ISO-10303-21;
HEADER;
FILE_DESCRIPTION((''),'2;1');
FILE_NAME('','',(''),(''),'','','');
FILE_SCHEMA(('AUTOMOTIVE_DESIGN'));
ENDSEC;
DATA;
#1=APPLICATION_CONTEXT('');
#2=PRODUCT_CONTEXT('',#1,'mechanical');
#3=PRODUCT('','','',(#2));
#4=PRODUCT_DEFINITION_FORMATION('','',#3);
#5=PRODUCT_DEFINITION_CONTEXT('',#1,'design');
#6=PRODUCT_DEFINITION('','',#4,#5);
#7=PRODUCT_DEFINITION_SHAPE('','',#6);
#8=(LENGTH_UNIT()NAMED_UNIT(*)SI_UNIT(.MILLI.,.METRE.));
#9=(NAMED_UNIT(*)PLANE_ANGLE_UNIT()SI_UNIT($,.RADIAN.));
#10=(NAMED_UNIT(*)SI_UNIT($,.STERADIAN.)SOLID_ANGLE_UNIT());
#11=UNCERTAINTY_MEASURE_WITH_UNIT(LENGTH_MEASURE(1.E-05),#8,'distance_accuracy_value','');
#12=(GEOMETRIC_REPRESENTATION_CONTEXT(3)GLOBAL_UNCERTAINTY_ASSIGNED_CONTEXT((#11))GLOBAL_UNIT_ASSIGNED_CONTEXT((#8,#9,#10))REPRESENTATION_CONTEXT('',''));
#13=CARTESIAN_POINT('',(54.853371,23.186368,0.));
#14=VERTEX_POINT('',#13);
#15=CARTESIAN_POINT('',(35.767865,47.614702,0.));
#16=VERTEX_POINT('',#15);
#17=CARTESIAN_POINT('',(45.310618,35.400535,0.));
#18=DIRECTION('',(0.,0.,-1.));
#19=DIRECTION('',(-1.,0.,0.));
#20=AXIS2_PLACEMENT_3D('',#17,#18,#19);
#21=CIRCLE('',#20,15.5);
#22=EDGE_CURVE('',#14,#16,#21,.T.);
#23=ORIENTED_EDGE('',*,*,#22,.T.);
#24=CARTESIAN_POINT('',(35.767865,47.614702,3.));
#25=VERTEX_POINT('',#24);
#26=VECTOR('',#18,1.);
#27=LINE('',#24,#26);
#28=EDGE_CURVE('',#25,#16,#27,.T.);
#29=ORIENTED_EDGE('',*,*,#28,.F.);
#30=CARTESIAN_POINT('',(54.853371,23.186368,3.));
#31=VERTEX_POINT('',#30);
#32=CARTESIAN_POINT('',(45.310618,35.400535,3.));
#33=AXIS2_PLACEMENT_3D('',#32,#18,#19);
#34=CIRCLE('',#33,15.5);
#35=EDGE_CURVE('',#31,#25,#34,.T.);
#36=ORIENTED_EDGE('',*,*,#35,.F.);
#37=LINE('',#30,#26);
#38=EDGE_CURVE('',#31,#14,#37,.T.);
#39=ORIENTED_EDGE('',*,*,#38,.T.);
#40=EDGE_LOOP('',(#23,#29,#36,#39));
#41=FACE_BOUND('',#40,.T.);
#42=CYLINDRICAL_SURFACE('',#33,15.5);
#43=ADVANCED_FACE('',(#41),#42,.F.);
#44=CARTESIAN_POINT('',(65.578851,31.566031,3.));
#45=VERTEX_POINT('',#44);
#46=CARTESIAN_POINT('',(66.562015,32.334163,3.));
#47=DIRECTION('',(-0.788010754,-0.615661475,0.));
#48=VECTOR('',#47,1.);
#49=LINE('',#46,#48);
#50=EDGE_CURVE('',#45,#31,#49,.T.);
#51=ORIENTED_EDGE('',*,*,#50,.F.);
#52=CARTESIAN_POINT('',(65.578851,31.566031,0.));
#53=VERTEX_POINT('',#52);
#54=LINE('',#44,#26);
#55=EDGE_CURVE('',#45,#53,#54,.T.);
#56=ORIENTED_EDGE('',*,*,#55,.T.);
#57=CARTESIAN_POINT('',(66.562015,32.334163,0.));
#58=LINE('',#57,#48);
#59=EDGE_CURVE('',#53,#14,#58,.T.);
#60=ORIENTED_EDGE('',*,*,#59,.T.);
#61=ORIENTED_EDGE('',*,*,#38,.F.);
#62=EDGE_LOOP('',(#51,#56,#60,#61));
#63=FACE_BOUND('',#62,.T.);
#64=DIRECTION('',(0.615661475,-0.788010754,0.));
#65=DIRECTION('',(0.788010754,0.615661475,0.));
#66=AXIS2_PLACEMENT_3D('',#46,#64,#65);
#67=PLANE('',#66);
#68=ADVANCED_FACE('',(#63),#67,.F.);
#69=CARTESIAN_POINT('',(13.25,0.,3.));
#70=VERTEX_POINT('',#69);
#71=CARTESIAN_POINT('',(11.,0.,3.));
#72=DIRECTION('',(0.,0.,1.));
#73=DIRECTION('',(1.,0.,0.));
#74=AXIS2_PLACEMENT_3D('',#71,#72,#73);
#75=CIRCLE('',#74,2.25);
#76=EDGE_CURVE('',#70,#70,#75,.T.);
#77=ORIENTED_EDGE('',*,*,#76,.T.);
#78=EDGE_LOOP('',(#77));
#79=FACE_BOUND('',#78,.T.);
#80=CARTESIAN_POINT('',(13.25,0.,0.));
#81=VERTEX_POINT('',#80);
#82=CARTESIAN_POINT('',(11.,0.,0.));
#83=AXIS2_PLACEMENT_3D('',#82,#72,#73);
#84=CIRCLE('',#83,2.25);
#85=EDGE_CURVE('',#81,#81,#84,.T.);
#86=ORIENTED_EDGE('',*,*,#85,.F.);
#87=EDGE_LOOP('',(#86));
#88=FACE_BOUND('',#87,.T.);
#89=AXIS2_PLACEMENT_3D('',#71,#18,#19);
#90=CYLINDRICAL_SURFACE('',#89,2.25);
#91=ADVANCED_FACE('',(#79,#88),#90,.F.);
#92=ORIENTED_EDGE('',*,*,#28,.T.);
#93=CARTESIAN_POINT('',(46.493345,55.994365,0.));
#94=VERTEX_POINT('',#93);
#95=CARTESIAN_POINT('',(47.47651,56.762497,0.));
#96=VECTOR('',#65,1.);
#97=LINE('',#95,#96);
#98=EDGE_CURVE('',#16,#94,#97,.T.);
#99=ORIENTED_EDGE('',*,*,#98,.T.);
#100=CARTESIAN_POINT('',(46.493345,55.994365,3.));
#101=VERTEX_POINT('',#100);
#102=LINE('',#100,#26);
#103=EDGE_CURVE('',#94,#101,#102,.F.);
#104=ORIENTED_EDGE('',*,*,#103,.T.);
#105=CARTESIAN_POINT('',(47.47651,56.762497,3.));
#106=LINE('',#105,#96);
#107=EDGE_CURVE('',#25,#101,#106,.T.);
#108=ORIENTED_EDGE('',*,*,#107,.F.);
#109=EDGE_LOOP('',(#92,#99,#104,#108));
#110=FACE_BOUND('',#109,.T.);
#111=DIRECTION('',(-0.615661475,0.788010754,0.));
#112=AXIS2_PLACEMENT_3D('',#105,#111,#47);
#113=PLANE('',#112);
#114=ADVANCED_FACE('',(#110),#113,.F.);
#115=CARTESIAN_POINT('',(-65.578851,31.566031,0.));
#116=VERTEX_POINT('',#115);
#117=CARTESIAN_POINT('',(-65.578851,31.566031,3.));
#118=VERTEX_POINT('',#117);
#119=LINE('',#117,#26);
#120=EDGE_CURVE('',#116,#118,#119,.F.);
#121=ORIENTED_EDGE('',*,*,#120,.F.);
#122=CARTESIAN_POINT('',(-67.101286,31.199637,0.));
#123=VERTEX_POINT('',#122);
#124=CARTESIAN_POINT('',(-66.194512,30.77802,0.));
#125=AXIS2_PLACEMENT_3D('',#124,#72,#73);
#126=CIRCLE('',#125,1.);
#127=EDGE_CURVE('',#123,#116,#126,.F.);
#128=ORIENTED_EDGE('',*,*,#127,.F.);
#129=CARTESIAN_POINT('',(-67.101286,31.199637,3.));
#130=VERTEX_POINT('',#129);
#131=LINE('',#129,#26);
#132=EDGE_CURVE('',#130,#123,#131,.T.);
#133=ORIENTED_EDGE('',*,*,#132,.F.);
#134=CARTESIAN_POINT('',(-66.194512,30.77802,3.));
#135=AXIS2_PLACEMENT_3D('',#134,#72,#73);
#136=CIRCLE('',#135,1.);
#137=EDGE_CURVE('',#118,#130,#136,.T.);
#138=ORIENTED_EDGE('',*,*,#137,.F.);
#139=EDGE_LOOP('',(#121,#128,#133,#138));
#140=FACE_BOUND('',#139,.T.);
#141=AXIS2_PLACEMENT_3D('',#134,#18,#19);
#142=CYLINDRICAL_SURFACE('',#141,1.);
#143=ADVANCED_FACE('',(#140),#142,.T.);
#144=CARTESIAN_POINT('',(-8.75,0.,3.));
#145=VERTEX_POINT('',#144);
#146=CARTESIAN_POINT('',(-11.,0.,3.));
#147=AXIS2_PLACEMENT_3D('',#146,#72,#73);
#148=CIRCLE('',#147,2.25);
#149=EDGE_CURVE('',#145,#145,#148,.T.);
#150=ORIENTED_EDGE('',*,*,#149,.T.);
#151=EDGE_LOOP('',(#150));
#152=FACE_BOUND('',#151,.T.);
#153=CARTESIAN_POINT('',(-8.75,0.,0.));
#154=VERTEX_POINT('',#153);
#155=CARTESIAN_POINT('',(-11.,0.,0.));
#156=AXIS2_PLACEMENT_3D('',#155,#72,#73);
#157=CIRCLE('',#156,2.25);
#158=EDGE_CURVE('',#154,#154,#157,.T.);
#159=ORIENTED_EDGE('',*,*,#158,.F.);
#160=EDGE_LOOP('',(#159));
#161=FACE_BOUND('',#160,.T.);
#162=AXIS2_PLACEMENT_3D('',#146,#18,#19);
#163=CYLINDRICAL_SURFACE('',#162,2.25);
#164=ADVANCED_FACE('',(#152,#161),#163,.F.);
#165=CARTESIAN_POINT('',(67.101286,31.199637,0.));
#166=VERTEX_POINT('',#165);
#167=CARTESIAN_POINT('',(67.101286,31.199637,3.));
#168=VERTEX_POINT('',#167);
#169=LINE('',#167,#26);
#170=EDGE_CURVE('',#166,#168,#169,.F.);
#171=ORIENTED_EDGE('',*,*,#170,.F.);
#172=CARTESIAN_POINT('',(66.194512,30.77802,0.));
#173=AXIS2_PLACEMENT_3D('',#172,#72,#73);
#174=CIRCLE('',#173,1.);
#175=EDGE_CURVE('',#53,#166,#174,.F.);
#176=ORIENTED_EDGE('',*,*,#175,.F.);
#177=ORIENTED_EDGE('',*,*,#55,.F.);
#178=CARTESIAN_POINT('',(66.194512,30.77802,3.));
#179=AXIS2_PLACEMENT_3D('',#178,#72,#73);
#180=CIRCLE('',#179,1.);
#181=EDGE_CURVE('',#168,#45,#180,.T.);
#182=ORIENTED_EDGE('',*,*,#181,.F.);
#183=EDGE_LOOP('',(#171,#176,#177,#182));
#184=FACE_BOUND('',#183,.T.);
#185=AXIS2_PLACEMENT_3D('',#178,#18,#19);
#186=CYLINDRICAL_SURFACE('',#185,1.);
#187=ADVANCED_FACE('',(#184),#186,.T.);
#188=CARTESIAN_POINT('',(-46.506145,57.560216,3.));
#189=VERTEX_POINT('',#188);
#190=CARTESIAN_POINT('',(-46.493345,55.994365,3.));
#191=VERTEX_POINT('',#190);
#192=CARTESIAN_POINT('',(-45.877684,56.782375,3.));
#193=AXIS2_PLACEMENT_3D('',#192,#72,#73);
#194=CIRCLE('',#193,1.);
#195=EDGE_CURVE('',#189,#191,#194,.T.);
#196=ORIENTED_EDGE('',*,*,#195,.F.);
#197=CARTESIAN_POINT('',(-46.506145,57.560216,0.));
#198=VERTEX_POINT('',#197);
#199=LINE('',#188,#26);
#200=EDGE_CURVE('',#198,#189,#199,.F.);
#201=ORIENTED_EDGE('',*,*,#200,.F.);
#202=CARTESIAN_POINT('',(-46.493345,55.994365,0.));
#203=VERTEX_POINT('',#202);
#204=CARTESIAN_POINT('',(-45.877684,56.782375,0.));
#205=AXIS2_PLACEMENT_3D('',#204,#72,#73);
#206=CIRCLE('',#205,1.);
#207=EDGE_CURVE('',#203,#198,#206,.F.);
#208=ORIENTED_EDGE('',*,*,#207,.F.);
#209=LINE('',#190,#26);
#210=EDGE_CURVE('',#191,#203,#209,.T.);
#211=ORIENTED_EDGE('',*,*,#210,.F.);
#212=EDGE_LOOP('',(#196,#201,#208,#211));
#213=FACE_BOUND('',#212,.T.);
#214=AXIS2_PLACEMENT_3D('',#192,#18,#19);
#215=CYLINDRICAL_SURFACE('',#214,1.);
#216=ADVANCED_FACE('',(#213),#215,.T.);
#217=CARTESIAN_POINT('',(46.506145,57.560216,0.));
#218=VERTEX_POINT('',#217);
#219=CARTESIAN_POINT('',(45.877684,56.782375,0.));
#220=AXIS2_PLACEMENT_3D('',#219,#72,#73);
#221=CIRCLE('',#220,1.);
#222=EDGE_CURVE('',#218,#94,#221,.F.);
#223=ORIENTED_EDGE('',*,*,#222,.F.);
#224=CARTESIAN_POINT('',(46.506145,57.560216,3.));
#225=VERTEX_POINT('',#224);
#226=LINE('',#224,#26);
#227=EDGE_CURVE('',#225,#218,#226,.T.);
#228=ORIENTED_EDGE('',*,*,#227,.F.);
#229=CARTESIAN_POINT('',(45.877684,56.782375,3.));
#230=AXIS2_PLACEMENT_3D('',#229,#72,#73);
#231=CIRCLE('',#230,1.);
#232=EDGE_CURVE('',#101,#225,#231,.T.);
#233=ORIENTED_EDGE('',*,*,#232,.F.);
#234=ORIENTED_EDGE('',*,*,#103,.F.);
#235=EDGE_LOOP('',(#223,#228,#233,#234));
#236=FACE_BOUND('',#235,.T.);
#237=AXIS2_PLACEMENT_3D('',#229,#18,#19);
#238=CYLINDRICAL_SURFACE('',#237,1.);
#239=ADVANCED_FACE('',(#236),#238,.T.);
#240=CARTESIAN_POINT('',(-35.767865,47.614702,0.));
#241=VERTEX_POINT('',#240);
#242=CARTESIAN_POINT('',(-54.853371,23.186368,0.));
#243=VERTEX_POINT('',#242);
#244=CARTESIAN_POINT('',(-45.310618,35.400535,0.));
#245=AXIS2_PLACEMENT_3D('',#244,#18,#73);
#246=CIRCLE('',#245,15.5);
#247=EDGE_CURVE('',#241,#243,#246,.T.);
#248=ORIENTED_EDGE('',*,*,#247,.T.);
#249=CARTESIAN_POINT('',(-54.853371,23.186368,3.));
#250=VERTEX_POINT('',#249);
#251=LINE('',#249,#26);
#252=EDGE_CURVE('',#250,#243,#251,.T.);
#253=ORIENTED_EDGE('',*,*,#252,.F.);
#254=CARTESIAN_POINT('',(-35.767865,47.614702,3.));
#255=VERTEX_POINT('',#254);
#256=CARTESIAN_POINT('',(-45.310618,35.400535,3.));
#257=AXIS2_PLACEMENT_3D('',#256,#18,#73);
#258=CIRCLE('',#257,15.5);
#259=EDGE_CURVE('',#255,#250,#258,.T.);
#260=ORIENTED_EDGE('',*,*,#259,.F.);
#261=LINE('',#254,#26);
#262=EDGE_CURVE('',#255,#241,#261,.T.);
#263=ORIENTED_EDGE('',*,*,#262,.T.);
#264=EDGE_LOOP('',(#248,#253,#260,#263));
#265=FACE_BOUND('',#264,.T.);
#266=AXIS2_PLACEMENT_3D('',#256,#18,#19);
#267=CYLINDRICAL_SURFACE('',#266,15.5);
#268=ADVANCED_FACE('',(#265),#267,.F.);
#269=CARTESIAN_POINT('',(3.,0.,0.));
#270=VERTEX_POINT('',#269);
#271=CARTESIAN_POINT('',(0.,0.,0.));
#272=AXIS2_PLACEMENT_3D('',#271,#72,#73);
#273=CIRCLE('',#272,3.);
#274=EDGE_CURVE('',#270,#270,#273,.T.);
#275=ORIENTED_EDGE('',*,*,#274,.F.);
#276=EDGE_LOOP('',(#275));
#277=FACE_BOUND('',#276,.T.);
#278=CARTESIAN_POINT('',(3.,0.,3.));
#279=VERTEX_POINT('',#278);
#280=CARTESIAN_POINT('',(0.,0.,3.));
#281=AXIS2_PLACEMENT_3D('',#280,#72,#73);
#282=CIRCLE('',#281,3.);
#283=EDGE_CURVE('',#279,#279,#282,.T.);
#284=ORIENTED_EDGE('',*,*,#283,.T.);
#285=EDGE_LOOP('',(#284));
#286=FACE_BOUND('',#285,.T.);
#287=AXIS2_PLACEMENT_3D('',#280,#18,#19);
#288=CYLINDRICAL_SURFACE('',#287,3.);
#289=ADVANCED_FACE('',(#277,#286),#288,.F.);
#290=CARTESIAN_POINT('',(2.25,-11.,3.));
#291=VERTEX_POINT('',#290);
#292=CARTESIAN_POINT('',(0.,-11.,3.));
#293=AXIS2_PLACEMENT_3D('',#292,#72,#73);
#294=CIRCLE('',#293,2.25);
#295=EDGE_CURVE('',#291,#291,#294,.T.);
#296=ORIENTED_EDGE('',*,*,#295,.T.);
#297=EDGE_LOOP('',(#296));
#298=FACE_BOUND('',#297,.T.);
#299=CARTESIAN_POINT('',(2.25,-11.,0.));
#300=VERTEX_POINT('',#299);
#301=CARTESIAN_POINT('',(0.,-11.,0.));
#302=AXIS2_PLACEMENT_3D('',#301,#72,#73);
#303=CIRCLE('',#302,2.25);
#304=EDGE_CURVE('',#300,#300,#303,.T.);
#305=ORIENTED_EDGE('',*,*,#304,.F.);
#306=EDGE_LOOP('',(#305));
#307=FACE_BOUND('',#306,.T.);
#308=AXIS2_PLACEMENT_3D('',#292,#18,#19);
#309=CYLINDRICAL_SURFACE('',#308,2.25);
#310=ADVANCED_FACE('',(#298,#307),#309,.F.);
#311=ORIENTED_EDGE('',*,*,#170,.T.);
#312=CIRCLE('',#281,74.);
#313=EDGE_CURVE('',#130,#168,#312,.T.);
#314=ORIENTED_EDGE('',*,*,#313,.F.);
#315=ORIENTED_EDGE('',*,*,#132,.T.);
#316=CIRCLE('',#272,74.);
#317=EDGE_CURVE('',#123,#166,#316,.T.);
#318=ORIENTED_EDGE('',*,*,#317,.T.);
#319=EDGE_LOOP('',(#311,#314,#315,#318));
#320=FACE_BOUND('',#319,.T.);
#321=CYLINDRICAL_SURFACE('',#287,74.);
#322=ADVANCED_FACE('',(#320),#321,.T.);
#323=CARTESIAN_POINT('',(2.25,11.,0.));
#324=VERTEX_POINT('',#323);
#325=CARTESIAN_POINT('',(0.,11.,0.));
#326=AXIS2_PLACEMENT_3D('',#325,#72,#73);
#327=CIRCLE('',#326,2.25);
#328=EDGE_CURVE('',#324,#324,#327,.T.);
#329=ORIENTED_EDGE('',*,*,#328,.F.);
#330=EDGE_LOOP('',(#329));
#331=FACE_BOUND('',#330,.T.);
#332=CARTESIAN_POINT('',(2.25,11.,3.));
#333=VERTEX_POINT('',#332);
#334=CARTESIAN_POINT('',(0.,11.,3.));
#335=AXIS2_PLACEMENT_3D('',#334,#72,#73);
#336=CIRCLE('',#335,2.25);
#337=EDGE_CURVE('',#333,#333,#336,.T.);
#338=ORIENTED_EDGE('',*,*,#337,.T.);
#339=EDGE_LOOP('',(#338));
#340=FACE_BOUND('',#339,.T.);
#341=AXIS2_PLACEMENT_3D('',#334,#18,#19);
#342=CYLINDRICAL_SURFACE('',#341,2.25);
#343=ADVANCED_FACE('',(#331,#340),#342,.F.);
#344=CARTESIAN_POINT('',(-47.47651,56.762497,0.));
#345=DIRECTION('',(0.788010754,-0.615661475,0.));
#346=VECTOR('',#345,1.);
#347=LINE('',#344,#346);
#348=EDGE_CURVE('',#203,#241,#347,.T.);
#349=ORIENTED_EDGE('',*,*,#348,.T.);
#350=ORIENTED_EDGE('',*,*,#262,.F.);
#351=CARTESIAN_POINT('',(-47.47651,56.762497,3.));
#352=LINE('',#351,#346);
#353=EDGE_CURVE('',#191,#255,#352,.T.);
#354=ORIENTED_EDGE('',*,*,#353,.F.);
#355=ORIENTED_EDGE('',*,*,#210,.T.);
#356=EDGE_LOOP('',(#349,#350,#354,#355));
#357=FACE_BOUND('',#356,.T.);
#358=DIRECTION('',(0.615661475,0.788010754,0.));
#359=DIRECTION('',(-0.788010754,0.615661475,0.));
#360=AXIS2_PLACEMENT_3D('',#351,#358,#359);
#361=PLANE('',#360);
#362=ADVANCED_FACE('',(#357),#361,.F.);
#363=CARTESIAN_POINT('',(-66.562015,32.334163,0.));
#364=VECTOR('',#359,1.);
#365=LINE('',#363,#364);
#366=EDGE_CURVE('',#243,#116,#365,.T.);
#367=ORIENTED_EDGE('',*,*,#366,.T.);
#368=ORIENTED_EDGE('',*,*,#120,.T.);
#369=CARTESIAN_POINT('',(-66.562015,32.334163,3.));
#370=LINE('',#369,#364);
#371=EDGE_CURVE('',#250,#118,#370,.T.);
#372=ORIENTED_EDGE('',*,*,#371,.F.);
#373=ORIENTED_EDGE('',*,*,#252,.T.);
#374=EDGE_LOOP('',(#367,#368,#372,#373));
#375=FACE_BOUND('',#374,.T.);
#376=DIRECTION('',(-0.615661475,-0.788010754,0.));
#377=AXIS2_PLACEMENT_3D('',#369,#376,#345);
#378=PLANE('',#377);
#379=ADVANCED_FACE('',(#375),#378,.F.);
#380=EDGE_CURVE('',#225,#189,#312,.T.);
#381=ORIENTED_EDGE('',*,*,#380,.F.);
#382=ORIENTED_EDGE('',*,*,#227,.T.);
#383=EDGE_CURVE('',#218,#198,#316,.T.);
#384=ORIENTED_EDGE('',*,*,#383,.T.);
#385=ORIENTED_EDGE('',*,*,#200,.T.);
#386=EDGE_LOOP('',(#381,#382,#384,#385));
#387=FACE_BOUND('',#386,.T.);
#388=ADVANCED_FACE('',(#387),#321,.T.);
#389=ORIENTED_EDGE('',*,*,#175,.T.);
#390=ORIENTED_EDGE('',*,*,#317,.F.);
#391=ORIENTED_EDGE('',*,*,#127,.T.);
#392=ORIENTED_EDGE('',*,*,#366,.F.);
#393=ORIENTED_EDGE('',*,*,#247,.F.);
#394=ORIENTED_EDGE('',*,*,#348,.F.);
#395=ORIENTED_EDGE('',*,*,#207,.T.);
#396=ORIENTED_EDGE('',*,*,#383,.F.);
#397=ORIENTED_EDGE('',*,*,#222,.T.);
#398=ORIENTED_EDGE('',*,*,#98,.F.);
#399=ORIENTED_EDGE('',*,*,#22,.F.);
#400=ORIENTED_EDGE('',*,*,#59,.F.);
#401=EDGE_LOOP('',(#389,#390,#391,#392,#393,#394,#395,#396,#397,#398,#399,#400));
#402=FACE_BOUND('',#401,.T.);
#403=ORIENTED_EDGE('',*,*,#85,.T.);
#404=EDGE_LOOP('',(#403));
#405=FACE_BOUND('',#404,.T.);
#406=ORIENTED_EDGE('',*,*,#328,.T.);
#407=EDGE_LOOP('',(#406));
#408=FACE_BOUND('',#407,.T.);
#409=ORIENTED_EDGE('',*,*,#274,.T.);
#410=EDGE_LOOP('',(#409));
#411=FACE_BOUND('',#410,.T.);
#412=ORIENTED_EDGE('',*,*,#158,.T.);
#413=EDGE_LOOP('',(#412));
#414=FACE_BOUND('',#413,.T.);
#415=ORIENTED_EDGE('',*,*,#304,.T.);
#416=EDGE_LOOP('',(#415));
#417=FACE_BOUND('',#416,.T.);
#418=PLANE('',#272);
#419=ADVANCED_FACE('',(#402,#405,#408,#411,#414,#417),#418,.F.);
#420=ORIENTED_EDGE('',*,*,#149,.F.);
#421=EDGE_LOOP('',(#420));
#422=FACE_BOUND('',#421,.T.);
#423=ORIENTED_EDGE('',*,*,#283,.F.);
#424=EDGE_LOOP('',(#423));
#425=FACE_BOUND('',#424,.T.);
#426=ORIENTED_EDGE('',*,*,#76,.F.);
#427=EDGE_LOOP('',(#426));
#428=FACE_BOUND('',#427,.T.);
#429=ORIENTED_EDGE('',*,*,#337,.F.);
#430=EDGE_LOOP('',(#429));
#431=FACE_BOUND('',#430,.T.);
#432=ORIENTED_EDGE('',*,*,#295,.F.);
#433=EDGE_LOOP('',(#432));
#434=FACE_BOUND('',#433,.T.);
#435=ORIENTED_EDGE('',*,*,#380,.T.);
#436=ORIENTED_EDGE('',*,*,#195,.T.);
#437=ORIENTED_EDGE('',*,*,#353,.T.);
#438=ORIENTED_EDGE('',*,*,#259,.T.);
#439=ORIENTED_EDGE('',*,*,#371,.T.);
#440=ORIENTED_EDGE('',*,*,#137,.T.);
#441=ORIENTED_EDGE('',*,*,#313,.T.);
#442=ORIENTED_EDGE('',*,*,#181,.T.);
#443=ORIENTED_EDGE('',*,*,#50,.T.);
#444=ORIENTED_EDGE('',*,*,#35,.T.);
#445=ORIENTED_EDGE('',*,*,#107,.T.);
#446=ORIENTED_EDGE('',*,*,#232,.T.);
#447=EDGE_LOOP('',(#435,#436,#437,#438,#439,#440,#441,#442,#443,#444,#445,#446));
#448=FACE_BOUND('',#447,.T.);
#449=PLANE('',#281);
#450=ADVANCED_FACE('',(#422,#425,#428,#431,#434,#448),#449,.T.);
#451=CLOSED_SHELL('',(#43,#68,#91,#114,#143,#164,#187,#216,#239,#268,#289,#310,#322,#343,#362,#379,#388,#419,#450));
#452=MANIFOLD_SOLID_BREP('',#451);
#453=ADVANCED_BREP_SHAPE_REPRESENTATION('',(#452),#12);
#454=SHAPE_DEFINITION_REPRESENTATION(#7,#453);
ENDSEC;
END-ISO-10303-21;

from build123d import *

# Parameters (mm, degrees)
ESQUISSE1_R        = 2.25
ESQUISSE1_R_2      = 3
BOSS_EXTRU_1_DEPTH = 3
CONG_3_R           = 1


with BuildPart() as part:
    # Esquisse1 → Boss.-Extru.1 (new body)
    with BuildSketch(Plane.XY):
        with BuildLine():
            Line((66.562015248, 32.334163451), (54.8533712, 23.18636815))
            ThreePointArc((54.8533712, 23.18636815), (33.096451651, 25.857781964), (35.767865465, 47.614701512))
            Line((35.767865465, 47.614701512), (47.476509513, 56.762496813))
            ThreePointArc((47.476509513, 56.762496813), (0, 74), (-47.476509513, 56.762496813))
            Line((-47.476509513, 56.762496813), (-35.767865465, 47.614701512))
            ThreePointArc((-35.767865465, 47.614701512), (-33.096451651, 25.857781964), (-54.8533712, 23.18636815))
            Line((-54.8533712, 23.18636815), (-66.562015248, 32.334163451))
            ThreePointArc((-66.562015248, 32.334163451), (0, -74), (66.562015248, 32.334163451))
        make_face()
        with Locations((0, 11)):
            Circle(ESQUISSE1_R, mode=Mode.SUBTRACT)
        with Locations((11, 0)):
            Circle(ESQUISSE1_R, mode=Mode.SUBTRACT)
        with Locations((0, -11)):
            Circle(ESQUISSE1_R, mode=Mode.SUBTRACT)
        with Locations((-11, 0)):
            Circle(ESQUISSE1_R, mode=Mode.SUBTRACT)
        Circle(ESQUISSE1_R_2, mode=Mode.SUBTRACT)
    extrude(amount=BOSS_EXTRU_1_DEPTH)

    # Congé3
    cong_3_edges = [part.edges().sort_by_distance(p)[0] for p in [
        (-66.562015248, 32.334163451, 1.5),
        (-47.476509513, 56.762496813, 1.5),
        (47.476509513, 56.762496813, 1.5),
        (66.562015248, 32.334163451, 1.5),
    ]]
    fillet(cong_3_edges, radius=CONG_3_R)


solid = part.part
